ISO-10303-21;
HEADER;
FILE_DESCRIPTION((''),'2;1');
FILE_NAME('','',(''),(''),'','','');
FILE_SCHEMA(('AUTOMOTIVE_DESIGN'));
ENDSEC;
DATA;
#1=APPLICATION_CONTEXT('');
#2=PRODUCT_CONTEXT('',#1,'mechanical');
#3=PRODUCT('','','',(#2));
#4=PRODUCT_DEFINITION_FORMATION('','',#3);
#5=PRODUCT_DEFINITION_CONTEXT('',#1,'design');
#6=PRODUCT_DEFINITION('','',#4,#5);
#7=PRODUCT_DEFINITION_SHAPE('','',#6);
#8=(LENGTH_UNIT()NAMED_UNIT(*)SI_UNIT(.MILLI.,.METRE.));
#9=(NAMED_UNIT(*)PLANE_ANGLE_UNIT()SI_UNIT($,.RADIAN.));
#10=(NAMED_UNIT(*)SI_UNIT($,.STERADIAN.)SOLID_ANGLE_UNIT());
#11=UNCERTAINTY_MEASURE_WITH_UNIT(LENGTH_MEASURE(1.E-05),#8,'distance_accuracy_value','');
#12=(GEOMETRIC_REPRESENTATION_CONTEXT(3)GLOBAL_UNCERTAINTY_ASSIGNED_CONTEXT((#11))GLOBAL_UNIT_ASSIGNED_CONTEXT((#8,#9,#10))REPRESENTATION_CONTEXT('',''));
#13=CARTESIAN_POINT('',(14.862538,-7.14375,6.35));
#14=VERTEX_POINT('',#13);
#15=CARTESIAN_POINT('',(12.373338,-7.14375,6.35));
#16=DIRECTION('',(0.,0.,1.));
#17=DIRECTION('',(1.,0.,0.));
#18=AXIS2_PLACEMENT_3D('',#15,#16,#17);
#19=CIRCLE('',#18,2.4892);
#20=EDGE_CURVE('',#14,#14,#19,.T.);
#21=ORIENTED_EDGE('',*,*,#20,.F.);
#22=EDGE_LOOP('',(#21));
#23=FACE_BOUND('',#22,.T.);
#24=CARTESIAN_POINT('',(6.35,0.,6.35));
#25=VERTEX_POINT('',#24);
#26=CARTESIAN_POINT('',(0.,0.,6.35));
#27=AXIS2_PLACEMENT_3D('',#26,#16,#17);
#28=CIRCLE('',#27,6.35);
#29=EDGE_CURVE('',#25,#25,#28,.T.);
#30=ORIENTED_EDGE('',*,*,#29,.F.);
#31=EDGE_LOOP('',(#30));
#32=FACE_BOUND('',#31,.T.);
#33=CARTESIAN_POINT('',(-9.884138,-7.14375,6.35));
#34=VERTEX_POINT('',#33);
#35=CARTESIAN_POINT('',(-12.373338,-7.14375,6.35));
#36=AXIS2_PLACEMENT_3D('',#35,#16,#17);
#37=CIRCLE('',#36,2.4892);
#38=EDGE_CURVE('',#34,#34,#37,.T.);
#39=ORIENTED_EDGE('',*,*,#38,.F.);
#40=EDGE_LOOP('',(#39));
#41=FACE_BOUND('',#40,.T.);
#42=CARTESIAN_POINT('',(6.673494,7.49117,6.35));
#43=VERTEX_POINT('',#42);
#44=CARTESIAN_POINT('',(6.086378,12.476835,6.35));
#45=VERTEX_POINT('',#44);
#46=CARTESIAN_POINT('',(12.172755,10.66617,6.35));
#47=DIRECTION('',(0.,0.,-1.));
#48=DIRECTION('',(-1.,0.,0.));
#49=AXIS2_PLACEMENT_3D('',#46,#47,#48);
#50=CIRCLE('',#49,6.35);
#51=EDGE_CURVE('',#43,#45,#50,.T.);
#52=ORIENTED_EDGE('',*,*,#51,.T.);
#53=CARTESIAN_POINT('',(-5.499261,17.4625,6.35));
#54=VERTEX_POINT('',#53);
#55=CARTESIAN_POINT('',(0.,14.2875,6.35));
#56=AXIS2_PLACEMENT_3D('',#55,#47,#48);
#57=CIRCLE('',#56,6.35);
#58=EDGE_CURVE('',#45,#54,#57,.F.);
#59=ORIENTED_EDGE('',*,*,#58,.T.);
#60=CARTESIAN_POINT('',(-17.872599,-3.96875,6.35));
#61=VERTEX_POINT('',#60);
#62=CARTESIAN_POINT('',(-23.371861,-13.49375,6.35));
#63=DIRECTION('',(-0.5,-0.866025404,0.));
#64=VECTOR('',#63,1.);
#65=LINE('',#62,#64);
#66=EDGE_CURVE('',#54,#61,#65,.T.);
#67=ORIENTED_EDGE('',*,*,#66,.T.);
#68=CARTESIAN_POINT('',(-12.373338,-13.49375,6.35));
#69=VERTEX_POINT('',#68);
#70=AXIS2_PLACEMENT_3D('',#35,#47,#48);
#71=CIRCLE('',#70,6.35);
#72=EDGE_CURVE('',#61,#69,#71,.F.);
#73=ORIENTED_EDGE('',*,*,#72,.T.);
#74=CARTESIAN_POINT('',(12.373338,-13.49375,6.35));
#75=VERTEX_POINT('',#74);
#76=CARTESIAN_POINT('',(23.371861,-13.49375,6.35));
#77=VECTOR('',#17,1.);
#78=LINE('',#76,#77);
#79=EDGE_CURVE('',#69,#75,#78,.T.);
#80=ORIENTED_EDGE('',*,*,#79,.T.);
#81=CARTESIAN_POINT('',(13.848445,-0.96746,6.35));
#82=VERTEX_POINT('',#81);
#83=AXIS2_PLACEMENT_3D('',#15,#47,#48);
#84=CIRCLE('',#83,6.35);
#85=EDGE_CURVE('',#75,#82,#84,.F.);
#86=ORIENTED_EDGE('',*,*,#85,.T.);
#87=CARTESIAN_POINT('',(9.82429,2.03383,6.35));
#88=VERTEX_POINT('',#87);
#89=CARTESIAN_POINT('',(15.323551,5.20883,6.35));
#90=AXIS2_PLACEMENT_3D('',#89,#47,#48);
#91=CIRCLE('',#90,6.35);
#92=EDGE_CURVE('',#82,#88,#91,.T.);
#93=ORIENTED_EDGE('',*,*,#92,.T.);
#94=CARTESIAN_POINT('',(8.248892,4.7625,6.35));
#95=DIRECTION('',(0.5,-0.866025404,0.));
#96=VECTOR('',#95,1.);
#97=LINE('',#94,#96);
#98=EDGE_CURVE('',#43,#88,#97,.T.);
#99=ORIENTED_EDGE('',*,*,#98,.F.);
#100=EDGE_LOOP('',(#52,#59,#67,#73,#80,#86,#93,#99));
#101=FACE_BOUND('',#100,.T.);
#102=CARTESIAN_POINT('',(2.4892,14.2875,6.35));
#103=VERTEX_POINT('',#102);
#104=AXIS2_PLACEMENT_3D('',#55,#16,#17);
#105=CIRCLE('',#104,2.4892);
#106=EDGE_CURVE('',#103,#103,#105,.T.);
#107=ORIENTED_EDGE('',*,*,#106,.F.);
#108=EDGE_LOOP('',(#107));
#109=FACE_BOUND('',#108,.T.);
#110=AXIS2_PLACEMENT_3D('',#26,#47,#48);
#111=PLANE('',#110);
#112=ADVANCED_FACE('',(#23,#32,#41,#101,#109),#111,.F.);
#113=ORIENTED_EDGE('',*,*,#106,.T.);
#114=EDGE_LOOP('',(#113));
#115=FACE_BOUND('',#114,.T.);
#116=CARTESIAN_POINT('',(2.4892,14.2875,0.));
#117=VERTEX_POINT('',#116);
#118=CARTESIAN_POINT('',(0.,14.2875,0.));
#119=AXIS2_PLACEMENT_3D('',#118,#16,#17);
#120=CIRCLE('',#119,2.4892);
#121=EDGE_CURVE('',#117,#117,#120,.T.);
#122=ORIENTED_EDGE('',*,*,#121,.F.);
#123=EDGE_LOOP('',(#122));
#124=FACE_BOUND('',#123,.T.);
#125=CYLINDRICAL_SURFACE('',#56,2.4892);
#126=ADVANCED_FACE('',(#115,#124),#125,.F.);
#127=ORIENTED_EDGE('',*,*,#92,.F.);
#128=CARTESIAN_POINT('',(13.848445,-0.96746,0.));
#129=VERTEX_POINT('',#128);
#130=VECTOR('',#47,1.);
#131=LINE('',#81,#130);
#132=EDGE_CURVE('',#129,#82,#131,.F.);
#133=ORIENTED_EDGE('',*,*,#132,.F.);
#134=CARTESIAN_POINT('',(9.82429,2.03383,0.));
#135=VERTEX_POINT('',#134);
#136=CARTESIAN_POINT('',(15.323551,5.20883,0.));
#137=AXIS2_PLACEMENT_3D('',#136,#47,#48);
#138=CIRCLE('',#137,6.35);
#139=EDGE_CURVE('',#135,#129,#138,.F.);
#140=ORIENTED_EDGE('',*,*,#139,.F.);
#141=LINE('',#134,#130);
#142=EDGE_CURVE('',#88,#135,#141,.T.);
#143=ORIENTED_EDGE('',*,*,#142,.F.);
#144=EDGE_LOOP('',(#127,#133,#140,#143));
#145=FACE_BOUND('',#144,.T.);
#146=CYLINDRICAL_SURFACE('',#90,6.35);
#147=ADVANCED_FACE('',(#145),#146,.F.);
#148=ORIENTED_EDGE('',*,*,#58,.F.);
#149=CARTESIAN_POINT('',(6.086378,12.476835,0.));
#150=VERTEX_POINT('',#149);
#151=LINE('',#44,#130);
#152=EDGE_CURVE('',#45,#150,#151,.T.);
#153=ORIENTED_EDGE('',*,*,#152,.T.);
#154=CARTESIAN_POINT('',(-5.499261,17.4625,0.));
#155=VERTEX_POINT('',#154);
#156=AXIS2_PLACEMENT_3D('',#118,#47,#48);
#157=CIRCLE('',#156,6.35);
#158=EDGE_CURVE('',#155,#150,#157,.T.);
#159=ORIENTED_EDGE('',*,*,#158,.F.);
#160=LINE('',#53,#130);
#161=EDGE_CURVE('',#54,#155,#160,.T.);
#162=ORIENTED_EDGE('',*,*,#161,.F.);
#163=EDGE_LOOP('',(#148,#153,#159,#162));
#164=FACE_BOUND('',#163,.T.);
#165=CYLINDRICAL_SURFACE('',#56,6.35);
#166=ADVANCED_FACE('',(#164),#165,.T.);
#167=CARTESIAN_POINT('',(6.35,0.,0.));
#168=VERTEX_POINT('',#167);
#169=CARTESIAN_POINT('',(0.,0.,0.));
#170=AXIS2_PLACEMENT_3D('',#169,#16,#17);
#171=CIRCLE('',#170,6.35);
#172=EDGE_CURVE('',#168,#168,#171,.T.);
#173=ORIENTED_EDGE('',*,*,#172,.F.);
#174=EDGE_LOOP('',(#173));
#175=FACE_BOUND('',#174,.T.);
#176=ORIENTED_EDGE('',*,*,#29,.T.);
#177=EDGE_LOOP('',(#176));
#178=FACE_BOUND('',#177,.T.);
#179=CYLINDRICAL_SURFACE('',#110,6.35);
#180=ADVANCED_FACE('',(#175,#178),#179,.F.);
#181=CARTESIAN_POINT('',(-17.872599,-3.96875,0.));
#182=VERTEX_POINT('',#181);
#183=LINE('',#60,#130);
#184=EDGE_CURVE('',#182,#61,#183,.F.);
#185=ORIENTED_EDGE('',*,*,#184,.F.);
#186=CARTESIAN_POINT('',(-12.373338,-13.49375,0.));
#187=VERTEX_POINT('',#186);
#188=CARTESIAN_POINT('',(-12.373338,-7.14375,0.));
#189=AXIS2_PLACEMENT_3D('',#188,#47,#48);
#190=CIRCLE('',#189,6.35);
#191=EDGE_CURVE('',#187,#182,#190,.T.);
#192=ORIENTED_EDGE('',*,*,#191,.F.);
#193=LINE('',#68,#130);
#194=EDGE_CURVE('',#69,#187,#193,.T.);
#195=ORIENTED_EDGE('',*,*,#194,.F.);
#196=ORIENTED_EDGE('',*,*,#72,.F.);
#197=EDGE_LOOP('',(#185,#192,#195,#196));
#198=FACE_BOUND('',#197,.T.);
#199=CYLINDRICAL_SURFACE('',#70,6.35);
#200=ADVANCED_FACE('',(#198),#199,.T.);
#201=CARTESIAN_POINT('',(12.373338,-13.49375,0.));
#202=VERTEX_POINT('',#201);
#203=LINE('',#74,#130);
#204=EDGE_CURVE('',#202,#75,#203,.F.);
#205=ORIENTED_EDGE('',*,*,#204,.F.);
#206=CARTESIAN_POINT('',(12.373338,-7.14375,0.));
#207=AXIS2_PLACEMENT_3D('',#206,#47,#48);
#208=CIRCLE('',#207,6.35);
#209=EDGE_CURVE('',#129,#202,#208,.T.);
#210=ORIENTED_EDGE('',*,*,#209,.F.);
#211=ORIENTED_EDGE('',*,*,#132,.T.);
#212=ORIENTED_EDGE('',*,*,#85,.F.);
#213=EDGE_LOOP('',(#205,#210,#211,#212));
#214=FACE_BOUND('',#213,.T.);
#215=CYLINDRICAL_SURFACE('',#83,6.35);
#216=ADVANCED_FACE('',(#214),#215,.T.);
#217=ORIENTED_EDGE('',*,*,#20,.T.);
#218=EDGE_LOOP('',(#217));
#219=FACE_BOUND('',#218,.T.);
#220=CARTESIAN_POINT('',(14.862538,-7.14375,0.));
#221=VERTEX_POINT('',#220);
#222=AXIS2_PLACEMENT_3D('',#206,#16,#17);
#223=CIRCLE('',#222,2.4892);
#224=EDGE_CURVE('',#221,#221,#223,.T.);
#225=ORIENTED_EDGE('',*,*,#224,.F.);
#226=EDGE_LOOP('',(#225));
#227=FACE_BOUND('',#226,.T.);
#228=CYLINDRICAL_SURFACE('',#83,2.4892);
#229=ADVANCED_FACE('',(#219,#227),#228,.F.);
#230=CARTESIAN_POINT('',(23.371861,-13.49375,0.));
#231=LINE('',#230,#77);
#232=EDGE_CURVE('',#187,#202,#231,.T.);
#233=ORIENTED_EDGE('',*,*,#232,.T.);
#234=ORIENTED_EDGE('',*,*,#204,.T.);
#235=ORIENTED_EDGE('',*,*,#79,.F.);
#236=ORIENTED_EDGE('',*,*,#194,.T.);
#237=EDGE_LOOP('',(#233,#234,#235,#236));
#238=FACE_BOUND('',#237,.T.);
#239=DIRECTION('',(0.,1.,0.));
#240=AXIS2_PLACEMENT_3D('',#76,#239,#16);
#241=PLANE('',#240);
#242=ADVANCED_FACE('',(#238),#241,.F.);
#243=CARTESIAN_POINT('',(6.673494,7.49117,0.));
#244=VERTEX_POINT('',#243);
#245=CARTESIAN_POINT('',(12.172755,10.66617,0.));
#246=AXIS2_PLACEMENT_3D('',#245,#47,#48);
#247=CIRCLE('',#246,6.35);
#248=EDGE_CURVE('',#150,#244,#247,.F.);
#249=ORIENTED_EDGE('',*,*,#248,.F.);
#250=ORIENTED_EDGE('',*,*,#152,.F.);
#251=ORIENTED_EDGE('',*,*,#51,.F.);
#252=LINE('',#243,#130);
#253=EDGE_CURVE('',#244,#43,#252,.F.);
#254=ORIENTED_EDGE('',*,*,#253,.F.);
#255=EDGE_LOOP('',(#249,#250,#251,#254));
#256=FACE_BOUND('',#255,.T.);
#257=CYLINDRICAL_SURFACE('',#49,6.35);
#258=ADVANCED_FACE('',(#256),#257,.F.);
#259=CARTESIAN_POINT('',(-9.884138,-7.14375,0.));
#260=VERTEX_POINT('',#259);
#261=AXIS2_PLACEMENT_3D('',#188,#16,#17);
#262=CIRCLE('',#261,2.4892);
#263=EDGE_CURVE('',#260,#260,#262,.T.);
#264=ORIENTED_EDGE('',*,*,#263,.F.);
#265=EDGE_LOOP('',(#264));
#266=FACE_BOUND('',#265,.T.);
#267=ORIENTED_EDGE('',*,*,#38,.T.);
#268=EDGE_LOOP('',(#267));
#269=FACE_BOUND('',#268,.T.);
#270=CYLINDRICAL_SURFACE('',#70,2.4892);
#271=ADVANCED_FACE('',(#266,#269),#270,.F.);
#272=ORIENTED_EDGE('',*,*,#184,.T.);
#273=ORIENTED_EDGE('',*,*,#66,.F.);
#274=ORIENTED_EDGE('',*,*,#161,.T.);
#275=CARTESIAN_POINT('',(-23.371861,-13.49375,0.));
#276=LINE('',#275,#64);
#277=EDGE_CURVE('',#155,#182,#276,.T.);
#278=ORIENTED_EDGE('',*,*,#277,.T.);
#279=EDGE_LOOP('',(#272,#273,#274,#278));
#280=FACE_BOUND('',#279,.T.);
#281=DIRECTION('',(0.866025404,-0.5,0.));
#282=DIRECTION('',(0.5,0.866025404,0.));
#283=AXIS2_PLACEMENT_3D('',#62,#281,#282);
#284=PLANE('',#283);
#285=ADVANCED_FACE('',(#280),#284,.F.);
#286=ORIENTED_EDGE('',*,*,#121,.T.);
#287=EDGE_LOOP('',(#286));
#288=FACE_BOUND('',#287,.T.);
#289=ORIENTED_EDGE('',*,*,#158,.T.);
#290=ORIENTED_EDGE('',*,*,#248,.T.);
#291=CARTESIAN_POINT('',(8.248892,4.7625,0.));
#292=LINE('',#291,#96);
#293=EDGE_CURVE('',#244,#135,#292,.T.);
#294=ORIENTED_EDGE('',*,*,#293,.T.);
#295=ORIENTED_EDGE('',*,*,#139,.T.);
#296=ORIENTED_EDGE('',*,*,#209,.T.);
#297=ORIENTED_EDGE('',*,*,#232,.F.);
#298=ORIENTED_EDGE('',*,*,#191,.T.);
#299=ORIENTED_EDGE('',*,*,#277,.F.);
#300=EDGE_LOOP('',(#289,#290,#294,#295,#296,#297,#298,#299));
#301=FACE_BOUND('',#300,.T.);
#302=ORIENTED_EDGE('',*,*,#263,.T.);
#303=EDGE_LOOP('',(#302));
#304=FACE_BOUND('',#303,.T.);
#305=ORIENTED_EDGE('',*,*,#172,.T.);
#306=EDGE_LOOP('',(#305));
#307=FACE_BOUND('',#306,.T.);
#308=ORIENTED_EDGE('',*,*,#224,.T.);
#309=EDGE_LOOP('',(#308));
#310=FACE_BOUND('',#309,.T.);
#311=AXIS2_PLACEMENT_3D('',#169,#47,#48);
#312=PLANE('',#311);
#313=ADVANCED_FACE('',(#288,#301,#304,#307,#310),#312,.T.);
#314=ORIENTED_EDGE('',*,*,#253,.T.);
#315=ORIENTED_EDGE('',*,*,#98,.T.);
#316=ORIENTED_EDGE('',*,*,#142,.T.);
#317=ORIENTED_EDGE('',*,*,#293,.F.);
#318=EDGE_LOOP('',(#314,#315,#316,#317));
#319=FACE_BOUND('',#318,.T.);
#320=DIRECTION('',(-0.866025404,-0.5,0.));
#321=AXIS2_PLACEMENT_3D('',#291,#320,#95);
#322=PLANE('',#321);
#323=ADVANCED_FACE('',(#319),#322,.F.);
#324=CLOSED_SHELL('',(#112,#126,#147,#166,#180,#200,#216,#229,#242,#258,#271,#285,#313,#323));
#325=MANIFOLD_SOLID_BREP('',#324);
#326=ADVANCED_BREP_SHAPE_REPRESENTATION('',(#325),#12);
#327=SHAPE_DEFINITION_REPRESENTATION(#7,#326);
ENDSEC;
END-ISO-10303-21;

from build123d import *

# Parameters (mm, degrees)
SKETCH1_R           = 6.35
SKETCH1_R_2         = 2.4892
BOSS_EXTRUDE1_DEPTH = 6.35
FILLET1_R           = 6.35
CUT_EXTRUDE1_DEPTH  = 29.579578207
FILLET2_R           = 6.35


with BuildPart() as part:
    # Sketch1 → Boss-Extrude1 (new body)
    with BuildSketch(Plane.XY):
        Polygon((0, 26.9875), (23.371860585, -13.49375), (-23.371860585, -13.49375), align=None)
        Circle(SKETCH1_R, mode=Mode.SUBTRACT)
        with Locations((0, 14.2875)):
            Circle(SKETCH1_R_2, mode=Mode.SUBTRACT)
        with Locations((12.373337957, -7.14375)):
            Circle(SKETCH1_R_2, mode=Mode.SUBTRACT)
        with Locations((-12.373337957, -7.14375)):
            Circle(SKETCH1_R_2, mode=Mode.SUBTRACT)
    extrude(amount=BOSS_EXTRUDE1_DEPTH)

    # Fillet1
    fillet1_edges = [part.edges().sort_by_distance(p)[0] for p in [
        (0, 26.9875, 3.175),
        (23.371860585, -13.49375, 3.175),
        (-23.371860585, -13.49375, 3.175),
    ]]
    fillet(fillet1_edges, radius=FILLET1_R)

    # Sketch2 → Cut-Extrude1 (cut, through all)
    with BuildSketch(Plane.XY.offset(6.35)):
        with BuildLine():
            ThreePointArc((6.35, 14.2875), (6.00448145, 12.221416141), (5.005526767, 10.38017332))
            Line((5.005526767, 10.38017332), (11.492257175, -0.85517332))
            ThreePointArc((11.492257175, -0.85517332), (15.1582056, -1.436998542), (17.872599271, -3.96875))
            Line((17.872599271, -3.96875), (5.499261314, 17.4625))
            ThreePointArc((5.499261314, 17.4625), (6.133628997, 15.931000936), (6.35, 14.2875))
        make_face()
    extrude(amount=-CUT_EXTRUDE1_DEPTH, mode=Mode.SUBTRACT)

    # Fillet2
    fillet2_edges = [part.edges().sort_by_distance(p)[0] for p in [
        (11.492257175, -0.85517332, 3.175),
        (5.005526767, 10.38017332, 3.175),
    ]]
    fillet(fillet2_edges, radius=FILLET2_R)


solid = part.part
